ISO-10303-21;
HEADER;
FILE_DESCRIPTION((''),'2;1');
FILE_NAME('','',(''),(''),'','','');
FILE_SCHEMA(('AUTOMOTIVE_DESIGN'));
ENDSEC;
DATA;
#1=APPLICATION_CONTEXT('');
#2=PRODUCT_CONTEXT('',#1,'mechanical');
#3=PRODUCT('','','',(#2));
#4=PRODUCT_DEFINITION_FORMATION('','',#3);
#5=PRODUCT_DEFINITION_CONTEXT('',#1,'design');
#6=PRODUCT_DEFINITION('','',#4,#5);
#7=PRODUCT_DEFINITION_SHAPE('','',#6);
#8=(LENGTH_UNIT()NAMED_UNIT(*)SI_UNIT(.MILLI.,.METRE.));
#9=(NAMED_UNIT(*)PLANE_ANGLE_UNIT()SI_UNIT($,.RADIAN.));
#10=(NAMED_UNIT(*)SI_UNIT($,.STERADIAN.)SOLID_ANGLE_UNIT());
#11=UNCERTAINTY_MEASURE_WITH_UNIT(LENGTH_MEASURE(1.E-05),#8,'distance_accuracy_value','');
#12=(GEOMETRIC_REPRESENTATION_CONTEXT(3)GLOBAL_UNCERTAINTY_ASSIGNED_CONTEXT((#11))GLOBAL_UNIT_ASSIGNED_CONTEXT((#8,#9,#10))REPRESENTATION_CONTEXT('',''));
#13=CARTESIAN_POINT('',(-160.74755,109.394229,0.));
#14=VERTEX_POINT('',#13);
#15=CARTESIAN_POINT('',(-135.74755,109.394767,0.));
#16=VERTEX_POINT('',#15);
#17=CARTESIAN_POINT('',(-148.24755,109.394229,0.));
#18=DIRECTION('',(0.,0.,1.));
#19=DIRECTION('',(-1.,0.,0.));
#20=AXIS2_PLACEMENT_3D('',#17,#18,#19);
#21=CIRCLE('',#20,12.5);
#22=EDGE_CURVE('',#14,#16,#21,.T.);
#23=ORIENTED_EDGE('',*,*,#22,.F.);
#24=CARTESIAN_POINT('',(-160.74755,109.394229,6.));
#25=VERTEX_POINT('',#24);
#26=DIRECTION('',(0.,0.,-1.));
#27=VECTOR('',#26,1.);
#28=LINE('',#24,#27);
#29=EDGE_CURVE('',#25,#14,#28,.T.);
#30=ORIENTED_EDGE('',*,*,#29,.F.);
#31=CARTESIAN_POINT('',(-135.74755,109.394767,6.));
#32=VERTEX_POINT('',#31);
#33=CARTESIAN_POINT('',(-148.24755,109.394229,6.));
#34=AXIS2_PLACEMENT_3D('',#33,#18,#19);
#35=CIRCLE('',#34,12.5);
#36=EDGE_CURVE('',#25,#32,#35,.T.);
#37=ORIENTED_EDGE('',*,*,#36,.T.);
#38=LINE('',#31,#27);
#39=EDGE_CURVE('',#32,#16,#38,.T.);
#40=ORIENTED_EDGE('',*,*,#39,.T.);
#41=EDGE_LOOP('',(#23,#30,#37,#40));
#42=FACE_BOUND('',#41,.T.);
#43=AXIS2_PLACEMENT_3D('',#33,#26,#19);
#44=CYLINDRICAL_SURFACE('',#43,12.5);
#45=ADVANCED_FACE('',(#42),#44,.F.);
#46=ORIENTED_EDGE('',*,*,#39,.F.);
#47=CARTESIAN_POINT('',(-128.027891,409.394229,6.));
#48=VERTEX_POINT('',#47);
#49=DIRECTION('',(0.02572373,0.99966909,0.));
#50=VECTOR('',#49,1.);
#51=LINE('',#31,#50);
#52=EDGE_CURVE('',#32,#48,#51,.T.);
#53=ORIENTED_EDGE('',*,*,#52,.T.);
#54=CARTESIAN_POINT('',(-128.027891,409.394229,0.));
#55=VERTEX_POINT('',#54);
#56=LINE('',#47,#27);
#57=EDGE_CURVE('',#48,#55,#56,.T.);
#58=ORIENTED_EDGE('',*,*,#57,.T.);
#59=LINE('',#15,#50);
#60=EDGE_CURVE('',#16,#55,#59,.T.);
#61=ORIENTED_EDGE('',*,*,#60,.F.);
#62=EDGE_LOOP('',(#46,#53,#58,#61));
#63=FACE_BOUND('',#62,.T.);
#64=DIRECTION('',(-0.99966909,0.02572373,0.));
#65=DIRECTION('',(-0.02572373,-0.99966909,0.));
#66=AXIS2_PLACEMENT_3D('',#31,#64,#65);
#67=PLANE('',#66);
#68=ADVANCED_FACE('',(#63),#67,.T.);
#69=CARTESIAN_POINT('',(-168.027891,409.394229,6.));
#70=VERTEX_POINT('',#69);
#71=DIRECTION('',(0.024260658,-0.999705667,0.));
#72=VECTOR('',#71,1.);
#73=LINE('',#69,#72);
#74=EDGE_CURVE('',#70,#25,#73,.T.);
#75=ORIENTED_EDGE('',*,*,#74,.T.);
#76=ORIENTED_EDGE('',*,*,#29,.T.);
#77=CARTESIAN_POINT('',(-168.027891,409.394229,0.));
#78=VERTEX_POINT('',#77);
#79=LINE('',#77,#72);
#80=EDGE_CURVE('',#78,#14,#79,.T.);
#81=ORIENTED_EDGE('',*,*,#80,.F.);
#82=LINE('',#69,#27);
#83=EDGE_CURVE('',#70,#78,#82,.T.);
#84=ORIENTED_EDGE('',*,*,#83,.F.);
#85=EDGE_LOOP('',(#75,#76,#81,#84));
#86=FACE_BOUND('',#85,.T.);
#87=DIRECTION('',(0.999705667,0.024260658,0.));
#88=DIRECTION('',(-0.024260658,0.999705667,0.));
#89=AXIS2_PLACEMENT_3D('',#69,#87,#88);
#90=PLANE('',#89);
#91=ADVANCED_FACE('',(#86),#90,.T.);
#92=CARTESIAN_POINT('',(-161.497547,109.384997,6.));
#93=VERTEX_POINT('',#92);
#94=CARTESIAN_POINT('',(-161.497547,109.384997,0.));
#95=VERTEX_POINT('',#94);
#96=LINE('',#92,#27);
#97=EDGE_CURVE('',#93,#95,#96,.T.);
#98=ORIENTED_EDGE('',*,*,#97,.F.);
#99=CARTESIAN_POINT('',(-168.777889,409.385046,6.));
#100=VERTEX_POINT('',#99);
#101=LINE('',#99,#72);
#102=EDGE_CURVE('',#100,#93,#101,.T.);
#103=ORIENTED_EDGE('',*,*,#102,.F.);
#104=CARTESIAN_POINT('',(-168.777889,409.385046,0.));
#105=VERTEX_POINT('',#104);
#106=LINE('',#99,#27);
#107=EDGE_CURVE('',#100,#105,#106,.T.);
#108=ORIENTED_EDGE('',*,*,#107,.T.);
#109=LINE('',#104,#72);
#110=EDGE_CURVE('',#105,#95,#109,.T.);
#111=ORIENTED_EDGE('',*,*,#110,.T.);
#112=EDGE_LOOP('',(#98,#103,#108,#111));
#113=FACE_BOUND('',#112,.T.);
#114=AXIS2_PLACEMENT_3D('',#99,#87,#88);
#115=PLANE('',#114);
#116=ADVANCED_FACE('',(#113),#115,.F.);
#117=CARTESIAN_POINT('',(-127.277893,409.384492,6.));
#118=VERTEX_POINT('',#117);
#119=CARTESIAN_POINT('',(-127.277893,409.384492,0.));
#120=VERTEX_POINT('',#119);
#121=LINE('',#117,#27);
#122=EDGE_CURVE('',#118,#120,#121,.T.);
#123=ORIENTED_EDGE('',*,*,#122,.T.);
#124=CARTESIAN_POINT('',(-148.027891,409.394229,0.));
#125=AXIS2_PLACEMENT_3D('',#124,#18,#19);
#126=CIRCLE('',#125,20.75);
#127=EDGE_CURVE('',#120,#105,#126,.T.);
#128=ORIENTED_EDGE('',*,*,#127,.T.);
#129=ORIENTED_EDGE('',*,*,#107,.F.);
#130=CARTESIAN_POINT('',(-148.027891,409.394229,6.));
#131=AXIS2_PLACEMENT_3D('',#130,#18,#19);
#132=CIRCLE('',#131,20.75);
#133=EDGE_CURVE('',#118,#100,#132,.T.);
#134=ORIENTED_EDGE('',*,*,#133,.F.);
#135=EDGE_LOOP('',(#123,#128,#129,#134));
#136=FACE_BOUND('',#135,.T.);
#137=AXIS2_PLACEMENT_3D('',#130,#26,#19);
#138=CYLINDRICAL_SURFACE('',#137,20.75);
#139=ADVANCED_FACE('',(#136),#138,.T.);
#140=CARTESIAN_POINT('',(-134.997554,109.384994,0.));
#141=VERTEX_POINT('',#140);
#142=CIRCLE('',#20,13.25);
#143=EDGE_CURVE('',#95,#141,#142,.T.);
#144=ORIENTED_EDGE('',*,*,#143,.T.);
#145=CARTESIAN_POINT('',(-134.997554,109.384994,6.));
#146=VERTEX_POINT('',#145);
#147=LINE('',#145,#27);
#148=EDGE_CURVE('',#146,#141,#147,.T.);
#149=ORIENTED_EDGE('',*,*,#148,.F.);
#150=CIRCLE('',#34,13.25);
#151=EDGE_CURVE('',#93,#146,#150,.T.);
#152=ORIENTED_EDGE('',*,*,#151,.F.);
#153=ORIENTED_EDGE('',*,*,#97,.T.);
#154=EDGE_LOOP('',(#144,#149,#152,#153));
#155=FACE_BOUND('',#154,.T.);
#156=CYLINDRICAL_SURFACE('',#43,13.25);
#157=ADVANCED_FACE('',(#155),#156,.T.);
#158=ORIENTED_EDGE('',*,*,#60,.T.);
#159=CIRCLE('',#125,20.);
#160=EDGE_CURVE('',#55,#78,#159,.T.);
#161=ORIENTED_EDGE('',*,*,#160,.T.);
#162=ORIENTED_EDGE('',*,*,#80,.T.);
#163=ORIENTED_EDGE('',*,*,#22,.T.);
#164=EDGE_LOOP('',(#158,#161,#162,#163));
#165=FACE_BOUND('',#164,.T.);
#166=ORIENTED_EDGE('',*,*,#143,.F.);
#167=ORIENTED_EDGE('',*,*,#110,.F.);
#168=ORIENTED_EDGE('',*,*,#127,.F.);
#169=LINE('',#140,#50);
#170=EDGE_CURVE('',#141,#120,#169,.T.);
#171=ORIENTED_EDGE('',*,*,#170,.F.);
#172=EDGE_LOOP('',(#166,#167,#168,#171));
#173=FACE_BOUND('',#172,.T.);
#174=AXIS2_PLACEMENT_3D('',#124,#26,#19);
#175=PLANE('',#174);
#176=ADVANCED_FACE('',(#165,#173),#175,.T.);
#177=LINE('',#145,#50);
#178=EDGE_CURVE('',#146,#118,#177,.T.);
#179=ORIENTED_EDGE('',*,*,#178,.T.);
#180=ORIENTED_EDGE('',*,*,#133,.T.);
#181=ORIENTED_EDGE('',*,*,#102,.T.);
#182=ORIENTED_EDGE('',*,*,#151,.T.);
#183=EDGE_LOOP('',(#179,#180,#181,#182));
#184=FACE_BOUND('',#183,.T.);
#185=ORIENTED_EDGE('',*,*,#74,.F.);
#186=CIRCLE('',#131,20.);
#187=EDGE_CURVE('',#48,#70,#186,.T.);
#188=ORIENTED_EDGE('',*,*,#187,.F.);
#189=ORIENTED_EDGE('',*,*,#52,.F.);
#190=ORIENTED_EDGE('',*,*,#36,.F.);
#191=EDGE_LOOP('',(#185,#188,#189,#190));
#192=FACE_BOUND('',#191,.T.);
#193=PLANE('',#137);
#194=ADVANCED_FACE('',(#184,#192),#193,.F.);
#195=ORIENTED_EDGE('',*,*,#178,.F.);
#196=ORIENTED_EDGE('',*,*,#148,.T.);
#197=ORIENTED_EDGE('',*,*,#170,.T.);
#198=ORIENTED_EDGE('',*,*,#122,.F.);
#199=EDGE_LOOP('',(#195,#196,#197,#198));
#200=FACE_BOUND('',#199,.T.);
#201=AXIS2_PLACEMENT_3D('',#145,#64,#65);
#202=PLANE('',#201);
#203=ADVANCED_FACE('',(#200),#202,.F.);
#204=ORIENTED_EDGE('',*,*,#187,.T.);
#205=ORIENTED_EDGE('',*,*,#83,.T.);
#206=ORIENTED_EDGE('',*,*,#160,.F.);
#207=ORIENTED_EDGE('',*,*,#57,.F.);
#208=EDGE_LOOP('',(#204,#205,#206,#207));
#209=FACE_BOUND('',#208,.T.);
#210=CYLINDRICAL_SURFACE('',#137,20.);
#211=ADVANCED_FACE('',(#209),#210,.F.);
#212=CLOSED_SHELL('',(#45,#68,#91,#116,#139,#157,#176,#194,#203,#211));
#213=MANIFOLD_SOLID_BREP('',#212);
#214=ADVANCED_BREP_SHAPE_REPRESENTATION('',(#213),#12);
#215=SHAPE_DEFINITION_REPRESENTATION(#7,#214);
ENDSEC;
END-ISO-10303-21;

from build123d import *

# Parameters (mm, degrees)
BOSS_EXTRUDE5_DEPTH = 6


with BuildPart() as part:
    # Sketch3 → Boss-Extrude5 (new body)
    with BuildSketch(Plane.XY):
        with BuildLine():
            Line((-168.777888625, 409.385046093), (-161.497547073, 109.384997303))
            ThreePointArc((-161.497547073, 109.384997303), (-148.247551826, 96.144228908), (-134.997553507, 109.384994227))
            Line((-134.997553507, 109.384994227), (-127.277892942, 409.384492135))
            ThreePointArc((-127.277892942, 409.384492135), (-148.027613678, 430.144228906), (-168.777888625, 409.385046093))
        make_face()
        with BuildLine():
            Line((-168.027890657, 409.394228908), (-160.747550289, 109.394228908))
            ThreePointArc((-160.747550289, 109.394228908), (-148.247281326, 96.894228911), (-135.7475503, 109.394766833))
            Line((-135.7475503, 109.394766833), (-128.027890657, 409.394228908))
            ThreePointArc((-128.027890657, 409.394228908), (-148.027890657, 429.394228908), (-168.027890657, 409.394228908))
        make_face(mode=Mode.SUBTRACT)
    extrude(amount=BOSS_EXTRUDE5_DEPTH)


solid = part.part
